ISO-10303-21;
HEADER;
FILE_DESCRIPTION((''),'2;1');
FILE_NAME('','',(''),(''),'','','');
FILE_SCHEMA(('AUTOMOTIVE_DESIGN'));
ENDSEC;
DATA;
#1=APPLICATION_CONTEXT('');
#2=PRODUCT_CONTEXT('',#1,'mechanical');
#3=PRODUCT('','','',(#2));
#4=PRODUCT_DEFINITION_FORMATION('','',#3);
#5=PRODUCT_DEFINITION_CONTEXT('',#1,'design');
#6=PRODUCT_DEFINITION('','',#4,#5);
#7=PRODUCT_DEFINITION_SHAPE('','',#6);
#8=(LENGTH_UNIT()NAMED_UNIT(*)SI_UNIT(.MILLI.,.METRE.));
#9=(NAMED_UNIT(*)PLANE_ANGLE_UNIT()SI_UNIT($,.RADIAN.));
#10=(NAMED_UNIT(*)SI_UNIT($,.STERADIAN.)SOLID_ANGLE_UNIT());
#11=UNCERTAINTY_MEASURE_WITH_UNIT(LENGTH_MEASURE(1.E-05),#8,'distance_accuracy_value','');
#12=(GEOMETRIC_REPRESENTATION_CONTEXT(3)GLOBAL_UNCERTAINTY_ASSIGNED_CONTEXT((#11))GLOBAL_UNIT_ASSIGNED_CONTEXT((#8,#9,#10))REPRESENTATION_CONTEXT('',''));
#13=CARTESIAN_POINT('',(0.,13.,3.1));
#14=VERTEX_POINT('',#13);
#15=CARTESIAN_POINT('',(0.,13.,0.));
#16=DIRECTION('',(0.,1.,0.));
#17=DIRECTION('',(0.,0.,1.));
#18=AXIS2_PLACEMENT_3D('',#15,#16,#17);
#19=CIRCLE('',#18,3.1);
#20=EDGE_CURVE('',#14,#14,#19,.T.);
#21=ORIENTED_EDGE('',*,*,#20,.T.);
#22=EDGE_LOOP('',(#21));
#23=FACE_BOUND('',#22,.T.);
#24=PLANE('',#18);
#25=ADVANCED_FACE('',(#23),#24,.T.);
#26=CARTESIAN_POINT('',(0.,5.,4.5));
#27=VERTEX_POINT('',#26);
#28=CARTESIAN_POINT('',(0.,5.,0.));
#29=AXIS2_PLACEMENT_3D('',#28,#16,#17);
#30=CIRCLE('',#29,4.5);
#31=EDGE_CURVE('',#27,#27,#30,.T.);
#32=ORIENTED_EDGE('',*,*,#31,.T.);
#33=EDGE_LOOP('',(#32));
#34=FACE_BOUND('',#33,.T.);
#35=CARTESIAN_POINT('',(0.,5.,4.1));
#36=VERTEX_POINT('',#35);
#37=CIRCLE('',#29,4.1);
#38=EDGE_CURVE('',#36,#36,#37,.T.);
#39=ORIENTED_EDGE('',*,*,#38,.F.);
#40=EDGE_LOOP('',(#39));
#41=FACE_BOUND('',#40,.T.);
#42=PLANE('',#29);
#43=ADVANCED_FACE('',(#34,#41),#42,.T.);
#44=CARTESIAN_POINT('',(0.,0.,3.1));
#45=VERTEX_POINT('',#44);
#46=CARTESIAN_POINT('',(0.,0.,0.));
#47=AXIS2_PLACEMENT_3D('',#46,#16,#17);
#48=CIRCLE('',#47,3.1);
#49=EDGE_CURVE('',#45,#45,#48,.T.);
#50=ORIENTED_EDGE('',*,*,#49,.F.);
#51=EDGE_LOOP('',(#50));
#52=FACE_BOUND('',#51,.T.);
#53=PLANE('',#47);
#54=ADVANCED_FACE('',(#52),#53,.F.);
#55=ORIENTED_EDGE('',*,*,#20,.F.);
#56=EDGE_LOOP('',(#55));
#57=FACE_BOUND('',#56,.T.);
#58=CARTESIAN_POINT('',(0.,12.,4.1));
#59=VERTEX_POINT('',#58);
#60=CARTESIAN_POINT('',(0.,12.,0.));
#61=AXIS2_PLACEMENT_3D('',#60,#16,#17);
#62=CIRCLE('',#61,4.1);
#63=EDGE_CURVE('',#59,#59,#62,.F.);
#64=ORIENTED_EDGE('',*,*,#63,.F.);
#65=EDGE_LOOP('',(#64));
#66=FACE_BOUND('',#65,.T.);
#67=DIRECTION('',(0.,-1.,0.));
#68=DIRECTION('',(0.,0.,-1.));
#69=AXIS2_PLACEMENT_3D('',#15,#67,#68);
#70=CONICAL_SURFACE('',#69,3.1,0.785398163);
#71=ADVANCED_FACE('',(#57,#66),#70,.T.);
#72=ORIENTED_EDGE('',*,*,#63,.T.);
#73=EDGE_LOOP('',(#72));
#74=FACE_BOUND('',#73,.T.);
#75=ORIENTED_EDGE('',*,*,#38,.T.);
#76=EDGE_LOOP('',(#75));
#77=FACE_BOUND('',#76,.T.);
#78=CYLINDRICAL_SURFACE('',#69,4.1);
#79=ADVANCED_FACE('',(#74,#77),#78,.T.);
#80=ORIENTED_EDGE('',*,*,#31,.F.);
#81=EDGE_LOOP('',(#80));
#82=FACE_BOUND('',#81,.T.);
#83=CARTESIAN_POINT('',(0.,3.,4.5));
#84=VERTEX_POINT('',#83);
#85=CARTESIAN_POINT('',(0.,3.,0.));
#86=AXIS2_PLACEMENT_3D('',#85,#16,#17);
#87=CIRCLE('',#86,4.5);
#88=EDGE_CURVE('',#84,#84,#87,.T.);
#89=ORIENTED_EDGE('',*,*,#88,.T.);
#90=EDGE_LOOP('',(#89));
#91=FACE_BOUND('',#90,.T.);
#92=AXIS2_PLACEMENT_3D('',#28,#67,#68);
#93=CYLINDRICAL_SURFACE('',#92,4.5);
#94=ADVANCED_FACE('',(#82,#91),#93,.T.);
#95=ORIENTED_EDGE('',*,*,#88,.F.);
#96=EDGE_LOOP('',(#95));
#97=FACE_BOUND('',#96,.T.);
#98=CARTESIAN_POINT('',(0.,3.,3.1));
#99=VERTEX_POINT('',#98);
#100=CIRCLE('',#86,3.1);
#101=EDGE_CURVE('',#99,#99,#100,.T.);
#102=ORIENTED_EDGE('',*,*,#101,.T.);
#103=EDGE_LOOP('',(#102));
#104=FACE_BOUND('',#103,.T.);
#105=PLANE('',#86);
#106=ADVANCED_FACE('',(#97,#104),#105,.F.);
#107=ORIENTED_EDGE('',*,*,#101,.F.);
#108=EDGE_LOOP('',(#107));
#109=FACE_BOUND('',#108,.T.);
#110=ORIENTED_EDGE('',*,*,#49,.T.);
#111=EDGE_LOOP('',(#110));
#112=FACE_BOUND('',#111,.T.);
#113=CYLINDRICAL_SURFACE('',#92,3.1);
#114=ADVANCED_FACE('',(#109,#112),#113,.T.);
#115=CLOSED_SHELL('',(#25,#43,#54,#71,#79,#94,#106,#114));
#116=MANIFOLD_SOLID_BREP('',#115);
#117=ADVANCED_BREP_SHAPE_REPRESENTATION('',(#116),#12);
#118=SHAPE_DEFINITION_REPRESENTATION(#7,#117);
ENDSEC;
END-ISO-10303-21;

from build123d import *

# Parameters (mm, degrees)
SKETCH1_R           = 3.1
BOSS_EXTRUDE1_DEPTH = 5
SKETCH2_R           = 4.5
BOSS_EXTRUDE2_DEPTH = 2
SKETCH3_R           = 4.1
BOSS_EXTRUDE3_DEPTH = 8
CHAMFER1_SIZE       = 1


with BuildPart() as part:
    # Sketch1 → Boss-Extrude1 (new body)
    with BuildSketch(Plane(origin=(0, 0, 0), x_dir=(1, 0, 0), z_dir=(0, 1, 0))):
        with Locations(Location((0, 0, 0), (0, 0, 270))):
            Circle(SKETCH1_R)
    extrude(amount=BOSS_EXTRUDE1_DEPTH)

    # Sketch2 → Boss-Extrude2 (add)
    with BuildSketch(Plane(origin=(0, 3, 0), x_dir=(1, 0, 0), z_dir=(0, 1, 0))):
        with Locations(Location((0, 0, 0), (0, 0, 270))):
            Circle(SKETCH2_R)
    extrude(amount=BOSS_EXTRUDE2_DEPTH)

    # Sketch3 → Boss-Extrude3 (add)
    with BuildSketch(Plane(origin=(0, 5, 0), x_dir=(1, 0, 0), z_dir=(0, 1, 0))):
        with Locations(Location((0, 0, 0), (0, 0, 270))):
            Circle(SKETCH3_R)
    extrude(amount=BOSS_EXTRUDE3_DEPTH)

    # Chamfer1
    chamfer1_edges = [part.edges().sort_by_distance(p)[0] for p in [
        (0, 13, -4.1),
    ]]
    chamfer(chamfer1_edges, length=CHAMFER1_SIZE)


solid = part.part
